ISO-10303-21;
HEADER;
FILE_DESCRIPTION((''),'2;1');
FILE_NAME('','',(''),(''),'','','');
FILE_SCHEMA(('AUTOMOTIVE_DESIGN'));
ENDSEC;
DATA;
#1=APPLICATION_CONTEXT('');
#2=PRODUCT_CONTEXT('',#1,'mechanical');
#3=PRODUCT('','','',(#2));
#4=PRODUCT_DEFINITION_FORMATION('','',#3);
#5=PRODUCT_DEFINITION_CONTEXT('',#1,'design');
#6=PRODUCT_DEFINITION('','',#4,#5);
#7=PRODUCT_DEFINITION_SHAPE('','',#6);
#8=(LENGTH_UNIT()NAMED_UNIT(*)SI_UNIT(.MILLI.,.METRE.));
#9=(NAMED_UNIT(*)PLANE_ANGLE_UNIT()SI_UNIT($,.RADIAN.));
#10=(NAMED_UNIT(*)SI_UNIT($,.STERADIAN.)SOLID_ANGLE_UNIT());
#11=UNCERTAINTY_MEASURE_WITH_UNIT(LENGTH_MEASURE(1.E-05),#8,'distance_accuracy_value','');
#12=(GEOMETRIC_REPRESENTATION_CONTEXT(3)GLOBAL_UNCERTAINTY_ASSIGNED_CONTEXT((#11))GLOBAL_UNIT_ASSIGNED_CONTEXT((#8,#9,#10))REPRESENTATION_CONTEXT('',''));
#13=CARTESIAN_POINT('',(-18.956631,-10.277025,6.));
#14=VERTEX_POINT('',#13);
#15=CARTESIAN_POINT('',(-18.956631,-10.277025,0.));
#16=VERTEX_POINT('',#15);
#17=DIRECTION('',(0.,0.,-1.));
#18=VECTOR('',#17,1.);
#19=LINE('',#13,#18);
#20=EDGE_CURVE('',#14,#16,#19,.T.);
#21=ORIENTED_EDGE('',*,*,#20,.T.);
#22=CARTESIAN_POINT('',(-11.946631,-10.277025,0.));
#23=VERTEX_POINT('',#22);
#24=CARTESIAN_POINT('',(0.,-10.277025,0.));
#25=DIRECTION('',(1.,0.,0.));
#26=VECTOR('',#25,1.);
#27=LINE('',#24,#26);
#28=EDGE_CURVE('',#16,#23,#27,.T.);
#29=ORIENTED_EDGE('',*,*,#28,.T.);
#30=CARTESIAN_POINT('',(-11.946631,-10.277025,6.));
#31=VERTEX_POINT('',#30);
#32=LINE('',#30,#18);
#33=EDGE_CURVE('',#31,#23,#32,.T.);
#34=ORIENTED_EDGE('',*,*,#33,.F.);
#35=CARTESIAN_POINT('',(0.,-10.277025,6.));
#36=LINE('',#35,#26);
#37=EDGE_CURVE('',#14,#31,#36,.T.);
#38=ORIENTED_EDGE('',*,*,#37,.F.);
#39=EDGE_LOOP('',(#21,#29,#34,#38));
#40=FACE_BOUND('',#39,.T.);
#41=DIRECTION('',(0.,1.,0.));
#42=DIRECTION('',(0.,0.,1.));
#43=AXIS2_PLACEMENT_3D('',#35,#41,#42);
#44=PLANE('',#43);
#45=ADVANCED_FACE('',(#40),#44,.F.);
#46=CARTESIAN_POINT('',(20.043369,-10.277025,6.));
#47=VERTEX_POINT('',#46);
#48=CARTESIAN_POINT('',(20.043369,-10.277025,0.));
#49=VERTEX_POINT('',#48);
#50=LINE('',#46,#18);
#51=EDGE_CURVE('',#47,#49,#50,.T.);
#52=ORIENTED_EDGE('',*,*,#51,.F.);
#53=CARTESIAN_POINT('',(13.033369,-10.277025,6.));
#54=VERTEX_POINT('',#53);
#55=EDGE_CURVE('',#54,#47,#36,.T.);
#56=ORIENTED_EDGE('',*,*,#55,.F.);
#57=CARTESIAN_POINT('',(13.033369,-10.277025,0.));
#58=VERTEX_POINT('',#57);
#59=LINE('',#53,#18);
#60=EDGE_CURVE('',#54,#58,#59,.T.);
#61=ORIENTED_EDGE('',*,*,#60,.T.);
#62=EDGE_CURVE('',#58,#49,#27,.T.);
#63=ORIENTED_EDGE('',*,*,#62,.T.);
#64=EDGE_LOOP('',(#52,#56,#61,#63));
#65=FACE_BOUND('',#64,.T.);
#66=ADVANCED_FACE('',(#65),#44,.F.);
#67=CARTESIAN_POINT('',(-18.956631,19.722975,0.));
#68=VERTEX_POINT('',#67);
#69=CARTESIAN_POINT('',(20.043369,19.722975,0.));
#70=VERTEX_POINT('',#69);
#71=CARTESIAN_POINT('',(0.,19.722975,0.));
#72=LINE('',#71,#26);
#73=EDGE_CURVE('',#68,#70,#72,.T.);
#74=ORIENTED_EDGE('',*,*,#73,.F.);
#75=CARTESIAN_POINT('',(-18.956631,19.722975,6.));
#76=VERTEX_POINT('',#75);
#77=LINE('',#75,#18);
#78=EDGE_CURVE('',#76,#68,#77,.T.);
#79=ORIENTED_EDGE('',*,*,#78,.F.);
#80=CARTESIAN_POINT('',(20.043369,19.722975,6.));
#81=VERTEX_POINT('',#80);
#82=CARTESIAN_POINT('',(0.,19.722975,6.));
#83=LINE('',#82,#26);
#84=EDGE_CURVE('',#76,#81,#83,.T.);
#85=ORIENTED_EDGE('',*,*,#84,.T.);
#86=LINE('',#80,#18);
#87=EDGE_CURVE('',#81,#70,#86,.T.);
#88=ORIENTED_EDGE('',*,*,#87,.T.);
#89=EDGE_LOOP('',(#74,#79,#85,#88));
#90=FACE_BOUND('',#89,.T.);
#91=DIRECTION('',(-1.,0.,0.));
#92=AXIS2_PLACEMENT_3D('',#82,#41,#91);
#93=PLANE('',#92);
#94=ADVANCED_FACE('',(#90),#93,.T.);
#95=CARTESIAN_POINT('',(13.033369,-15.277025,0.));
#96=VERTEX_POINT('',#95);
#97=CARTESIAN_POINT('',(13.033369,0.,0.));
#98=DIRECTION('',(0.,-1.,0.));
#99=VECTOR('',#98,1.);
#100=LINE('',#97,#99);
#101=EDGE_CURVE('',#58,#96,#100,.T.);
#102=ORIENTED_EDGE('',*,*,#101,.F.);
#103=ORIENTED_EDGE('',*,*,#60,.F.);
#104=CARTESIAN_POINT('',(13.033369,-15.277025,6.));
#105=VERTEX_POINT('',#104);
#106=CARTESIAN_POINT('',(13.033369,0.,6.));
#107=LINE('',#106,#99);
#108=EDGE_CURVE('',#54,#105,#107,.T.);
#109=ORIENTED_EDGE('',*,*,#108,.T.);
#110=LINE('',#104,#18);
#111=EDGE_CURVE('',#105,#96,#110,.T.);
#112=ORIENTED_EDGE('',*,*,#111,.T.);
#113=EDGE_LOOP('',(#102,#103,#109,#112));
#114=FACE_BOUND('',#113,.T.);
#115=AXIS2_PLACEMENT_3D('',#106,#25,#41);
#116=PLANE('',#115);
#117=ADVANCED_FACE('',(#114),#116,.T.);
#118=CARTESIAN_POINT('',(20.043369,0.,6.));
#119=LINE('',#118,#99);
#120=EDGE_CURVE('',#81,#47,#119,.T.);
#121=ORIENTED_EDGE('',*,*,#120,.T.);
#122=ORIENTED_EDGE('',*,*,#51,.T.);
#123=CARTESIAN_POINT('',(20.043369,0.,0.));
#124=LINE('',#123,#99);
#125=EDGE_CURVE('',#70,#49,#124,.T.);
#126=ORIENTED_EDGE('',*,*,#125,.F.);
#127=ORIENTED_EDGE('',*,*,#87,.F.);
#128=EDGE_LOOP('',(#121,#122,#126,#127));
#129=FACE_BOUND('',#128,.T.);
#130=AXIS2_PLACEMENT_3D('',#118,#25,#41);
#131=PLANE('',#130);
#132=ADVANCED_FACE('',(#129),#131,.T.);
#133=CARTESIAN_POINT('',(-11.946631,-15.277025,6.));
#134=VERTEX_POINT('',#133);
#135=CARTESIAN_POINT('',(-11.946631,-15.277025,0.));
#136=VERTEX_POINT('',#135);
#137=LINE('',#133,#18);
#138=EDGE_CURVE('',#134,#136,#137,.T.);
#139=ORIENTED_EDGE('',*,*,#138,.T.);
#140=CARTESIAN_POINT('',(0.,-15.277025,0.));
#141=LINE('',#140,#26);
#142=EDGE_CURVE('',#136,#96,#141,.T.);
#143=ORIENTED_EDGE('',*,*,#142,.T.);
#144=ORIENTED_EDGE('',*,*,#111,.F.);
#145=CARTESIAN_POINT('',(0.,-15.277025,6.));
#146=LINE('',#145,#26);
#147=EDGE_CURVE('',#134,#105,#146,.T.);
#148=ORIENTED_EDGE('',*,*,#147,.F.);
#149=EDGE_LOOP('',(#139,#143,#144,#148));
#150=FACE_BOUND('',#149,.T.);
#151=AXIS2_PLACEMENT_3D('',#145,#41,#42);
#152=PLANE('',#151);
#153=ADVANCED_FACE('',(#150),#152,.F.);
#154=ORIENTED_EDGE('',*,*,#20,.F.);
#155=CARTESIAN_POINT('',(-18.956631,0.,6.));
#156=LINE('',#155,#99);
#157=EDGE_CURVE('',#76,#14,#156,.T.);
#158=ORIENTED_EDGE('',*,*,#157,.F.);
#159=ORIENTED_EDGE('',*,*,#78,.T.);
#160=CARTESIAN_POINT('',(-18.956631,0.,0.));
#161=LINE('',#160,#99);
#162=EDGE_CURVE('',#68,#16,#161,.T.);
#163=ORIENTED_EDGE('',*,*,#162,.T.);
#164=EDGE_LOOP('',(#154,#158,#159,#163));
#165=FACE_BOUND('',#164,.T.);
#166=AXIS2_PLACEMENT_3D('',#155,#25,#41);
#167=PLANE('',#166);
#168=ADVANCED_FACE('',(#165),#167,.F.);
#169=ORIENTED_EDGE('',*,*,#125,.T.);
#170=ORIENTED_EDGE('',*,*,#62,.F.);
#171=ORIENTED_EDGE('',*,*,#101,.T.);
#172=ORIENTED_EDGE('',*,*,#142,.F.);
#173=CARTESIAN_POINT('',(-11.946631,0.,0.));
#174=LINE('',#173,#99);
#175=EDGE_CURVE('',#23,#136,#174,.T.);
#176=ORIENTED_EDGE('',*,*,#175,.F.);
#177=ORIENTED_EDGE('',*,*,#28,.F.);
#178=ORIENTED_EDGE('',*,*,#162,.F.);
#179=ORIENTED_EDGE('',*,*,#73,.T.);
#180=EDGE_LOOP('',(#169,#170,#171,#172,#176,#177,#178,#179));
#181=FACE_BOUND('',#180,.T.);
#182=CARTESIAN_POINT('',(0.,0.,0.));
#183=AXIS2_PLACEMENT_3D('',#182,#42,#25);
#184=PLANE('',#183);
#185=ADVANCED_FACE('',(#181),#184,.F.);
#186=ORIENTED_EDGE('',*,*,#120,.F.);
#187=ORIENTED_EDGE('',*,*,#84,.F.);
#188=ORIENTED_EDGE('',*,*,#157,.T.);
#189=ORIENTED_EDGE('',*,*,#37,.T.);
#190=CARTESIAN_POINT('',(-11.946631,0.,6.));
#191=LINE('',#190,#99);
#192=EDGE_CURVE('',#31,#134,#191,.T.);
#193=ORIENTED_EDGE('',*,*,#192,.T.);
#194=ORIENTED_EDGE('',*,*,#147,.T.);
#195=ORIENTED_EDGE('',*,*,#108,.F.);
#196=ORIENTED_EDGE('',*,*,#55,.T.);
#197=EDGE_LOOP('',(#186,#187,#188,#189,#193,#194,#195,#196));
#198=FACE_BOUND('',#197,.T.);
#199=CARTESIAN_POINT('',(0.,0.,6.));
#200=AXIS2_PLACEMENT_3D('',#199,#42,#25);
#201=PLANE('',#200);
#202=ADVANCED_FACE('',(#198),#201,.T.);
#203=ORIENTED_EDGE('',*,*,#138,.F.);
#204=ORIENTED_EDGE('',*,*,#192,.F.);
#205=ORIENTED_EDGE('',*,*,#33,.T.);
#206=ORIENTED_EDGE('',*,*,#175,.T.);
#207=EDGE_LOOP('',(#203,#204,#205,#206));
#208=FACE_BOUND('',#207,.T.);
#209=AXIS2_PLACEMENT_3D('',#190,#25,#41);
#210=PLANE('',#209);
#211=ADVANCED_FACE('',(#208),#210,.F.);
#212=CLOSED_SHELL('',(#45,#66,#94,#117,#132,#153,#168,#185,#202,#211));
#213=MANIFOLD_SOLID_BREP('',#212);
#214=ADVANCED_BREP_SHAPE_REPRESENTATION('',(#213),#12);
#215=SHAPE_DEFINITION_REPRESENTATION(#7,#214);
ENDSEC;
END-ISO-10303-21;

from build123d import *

# Parameters (mm, degrees)
ESQUISSE1_W        = 39
ESQUISSE1_H        = 30
ESQUISSE1_W_2      = 24.98
ESQUISSE1_H_2      = 5
BOSS_EXTRU_1_DEPTH = 6


with BuildPart() as part:
    # Esquisse1 → Boss.-Extru.1 (new body)
    with BuildSketch(Plane.XY):
        with Locations((0.543368541, 4.722975207)):
            Rectangle(ESQUISSE1_W, ESQUISSE1_H)
        with Locations((0.543368541, -12.777024793)):
            Rectangle(ESQUISSE1_W_2, ESQUISSE1_H_2)
    extrude(amount=BOSS_EXTRU_1_DEPTH)


solid = part.part
